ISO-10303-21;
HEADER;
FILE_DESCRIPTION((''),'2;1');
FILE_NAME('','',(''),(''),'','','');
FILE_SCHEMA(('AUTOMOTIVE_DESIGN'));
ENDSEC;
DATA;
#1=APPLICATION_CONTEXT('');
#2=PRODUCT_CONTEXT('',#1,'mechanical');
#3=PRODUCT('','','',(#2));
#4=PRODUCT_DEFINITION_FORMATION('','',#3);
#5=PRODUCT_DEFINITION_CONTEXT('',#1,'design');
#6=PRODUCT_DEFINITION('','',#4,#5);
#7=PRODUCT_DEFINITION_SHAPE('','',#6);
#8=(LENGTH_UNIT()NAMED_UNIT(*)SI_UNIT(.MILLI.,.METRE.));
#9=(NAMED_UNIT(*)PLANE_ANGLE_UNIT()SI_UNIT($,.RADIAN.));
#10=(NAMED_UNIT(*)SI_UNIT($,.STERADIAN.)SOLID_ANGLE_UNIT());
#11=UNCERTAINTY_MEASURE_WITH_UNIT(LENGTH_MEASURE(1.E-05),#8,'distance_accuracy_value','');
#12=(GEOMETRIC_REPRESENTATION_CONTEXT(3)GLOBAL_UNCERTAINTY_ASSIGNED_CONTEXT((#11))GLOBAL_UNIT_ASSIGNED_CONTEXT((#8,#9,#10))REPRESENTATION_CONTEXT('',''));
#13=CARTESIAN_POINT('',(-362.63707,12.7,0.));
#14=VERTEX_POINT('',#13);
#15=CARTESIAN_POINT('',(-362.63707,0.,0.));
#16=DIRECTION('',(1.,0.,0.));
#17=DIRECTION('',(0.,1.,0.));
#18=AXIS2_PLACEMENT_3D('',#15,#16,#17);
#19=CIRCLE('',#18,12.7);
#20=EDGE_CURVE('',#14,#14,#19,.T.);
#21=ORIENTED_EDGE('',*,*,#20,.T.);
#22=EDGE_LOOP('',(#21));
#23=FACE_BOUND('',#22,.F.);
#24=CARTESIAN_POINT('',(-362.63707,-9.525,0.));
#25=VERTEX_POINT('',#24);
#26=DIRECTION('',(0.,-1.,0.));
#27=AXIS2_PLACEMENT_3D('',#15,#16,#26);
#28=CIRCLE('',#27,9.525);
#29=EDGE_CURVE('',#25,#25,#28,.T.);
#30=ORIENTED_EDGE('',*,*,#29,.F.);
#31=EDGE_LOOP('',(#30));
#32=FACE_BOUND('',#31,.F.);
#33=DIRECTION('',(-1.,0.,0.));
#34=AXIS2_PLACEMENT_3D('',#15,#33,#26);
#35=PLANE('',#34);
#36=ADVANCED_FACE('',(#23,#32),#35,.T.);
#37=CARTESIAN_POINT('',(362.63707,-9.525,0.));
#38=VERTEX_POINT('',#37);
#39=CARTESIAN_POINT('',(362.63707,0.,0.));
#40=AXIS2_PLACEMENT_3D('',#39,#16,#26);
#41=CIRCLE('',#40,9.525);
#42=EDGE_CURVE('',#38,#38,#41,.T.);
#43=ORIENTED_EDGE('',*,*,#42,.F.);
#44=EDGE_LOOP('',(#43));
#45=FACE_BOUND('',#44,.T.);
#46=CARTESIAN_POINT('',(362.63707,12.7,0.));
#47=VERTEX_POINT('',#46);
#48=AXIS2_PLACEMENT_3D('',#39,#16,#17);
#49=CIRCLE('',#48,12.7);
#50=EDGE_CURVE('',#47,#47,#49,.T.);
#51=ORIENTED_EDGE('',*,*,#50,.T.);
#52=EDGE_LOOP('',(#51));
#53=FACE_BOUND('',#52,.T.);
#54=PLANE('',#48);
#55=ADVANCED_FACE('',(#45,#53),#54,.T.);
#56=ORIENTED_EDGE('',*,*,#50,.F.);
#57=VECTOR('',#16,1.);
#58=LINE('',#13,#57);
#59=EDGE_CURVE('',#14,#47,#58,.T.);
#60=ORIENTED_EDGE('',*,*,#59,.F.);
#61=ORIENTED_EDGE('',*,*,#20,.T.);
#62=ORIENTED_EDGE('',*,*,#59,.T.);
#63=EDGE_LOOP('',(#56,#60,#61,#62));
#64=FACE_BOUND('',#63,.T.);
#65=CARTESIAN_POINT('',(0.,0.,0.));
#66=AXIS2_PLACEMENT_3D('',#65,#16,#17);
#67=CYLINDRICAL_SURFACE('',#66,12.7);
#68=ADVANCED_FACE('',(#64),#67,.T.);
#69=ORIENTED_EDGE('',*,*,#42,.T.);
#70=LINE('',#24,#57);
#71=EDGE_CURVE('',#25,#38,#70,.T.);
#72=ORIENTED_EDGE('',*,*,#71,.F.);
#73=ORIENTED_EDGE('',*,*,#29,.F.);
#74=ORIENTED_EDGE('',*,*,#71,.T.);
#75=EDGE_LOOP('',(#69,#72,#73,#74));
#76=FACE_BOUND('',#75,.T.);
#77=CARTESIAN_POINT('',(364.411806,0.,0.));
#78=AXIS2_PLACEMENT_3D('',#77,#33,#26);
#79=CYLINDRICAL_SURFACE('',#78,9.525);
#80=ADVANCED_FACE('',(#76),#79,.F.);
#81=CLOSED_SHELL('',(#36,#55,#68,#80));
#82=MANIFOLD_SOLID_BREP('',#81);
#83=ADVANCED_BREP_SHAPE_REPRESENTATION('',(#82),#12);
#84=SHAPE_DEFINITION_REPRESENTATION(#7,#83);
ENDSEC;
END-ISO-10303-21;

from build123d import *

# Parameters (mm, degrees)
F0_R     = 12.7
F2_DEPTH = 362.63707
F3_D     = 19.05


with BuildPart() as f2:
    # F0 (on Right) → F2 (new body)
    with BuildSketch(Plane.YZ):
        Circle(F0_R)
    extrude(amount=F2_DEPTH)

    # F3 (through all)
    with Locations(Plane(origin=(0, 0, 0), x_dir=(0, 1, 0), z_dir=(-1, 0, 0))):
        with Locations((0, 0)):
            Hole(F3_D / 2)

    # F4: F2 across plane


with BuildPart() as f2_1:
    add(f2.part)
    add(f2.part.mirror(Plane.YZ))


solid = f2_1.part
